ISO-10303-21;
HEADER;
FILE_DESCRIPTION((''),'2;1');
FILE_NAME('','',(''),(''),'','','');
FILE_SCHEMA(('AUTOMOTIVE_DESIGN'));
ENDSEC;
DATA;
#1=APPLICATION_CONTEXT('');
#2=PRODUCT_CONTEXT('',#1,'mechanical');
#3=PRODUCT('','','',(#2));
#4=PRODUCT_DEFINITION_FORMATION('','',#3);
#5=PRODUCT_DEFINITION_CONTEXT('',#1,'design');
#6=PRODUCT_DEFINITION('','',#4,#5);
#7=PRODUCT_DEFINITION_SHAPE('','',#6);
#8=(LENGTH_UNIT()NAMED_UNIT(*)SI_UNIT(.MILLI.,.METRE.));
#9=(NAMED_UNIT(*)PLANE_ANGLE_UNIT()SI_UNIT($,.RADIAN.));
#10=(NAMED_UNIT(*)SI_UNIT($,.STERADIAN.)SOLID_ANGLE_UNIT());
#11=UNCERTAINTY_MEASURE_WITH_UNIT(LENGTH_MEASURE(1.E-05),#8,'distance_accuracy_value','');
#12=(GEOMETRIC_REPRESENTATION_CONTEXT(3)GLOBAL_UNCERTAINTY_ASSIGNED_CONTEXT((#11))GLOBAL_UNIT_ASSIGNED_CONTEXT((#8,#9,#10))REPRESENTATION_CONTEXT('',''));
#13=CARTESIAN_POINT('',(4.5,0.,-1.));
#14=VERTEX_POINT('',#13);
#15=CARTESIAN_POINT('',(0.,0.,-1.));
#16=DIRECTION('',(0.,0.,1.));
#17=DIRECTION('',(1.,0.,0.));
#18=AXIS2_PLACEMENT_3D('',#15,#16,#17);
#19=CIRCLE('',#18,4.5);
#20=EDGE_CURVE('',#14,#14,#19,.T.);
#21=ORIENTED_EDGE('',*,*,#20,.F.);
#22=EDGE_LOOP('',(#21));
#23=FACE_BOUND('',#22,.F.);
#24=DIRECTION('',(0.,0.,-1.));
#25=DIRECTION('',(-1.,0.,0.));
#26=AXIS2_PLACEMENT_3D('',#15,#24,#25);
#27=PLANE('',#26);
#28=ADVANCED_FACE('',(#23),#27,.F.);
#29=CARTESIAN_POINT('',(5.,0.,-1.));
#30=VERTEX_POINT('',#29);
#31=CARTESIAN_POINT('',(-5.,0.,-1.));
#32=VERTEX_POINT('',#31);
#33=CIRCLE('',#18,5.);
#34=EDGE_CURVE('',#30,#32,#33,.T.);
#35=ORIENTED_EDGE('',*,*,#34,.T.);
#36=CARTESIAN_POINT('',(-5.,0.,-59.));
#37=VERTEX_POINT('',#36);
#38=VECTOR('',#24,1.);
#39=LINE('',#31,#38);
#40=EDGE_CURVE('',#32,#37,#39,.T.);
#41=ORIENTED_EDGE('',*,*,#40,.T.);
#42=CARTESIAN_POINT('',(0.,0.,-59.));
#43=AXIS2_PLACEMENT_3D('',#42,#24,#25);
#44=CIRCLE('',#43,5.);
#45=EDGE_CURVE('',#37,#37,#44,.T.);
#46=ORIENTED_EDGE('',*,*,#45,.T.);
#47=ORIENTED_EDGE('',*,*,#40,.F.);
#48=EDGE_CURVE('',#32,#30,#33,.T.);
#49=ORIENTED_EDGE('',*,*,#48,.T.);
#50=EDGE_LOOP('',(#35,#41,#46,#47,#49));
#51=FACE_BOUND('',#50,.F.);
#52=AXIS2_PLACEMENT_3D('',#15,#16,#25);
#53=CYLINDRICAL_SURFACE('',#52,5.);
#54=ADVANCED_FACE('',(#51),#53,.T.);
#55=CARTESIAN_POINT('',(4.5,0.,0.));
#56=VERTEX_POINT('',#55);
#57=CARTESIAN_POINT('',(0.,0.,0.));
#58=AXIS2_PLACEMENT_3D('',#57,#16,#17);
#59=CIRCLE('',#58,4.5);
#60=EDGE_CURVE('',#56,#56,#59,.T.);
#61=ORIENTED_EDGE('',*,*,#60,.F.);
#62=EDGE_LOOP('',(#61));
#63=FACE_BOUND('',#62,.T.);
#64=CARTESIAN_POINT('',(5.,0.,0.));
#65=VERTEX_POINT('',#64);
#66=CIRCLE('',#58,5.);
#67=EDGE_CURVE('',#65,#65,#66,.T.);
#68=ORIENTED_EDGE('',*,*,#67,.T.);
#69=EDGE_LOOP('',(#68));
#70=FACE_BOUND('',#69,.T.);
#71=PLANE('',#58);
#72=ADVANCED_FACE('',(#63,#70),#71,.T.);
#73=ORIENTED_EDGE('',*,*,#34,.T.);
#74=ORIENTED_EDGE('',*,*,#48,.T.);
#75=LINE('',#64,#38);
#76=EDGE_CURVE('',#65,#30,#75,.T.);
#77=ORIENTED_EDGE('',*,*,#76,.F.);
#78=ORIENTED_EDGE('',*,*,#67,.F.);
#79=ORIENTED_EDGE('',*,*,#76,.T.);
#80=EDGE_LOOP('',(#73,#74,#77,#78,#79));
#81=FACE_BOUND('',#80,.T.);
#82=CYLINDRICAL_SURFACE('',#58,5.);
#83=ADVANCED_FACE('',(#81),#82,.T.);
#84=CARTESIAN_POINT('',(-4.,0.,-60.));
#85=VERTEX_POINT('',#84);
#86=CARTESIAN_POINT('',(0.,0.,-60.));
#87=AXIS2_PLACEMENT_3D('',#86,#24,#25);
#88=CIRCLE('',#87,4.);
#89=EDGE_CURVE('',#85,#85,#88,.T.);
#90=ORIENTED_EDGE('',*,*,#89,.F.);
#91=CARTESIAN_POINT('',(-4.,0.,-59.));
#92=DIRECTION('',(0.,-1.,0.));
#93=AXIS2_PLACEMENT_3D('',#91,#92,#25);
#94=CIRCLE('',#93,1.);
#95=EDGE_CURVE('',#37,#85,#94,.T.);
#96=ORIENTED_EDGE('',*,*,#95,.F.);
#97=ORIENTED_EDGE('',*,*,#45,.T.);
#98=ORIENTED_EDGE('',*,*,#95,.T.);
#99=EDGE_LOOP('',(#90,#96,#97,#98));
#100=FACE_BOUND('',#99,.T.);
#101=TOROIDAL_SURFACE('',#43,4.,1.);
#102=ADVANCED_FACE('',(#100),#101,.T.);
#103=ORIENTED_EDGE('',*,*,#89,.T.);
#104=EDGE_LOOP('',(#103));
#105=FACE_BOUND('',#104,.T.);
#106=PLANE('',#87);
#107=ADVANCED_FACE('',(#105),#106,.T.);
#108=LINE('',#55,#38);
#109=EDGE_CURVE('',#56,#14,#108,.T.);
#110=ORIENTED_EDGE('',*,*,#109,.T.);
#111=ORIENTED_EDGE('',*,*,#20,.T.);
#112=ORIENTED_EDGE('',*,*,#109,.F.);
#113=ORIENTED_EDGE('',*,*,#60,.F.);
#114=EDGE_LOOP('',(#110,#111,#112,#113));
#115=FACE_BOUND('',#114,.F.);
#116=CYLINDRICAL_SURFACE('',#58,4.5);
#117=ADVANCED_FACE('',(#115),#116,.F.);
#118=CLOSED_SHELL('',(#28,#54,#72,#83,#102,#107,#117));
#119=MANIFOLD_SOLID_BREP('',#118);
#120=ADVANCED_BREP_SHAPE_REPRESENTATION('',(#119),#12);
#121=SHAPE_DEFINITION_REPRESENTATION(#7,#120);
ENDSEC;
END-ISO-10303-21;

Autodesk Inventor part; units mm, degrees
ref_plane "YZ Plane" through (0, 0, 0) normal (1, 0, 0) x (0, 1, 0)
ref_plane "XZ Plane" through (0, 0, 0) normal (0, 1, 0) x (-1, 0, 0)
sketch "スケッチ1" plane through (0, 0, 0) normal (0, 0, 1) x (1, 0, 0)
  circle A0 centre (0, 0) radius 5
  circle A1 centre (0, 0) radius 4.5
  dimension "d0" = 10
  dimension "d10" = 9
ref_plane "作業平面1" through (0, 0, 0) normal (0, 0, -1) x (-1, 0, 0)
extrude "押し出し5" add sketch "スケッチ1" against normal blind 1
sketch "スケッチ3" plane through (0, 0, -1) normal (0, 0, -1) x (-1, 0, 0)
  circle A0 centre (0, 0) radius 5
extrude "押し出し6" add sketch "スケッチ3" along normal blind 59
fillet "フィレット2" radius 1 1 edges at (5, 0, -60)
properties part number "ueda_hanko_3D プリント"
